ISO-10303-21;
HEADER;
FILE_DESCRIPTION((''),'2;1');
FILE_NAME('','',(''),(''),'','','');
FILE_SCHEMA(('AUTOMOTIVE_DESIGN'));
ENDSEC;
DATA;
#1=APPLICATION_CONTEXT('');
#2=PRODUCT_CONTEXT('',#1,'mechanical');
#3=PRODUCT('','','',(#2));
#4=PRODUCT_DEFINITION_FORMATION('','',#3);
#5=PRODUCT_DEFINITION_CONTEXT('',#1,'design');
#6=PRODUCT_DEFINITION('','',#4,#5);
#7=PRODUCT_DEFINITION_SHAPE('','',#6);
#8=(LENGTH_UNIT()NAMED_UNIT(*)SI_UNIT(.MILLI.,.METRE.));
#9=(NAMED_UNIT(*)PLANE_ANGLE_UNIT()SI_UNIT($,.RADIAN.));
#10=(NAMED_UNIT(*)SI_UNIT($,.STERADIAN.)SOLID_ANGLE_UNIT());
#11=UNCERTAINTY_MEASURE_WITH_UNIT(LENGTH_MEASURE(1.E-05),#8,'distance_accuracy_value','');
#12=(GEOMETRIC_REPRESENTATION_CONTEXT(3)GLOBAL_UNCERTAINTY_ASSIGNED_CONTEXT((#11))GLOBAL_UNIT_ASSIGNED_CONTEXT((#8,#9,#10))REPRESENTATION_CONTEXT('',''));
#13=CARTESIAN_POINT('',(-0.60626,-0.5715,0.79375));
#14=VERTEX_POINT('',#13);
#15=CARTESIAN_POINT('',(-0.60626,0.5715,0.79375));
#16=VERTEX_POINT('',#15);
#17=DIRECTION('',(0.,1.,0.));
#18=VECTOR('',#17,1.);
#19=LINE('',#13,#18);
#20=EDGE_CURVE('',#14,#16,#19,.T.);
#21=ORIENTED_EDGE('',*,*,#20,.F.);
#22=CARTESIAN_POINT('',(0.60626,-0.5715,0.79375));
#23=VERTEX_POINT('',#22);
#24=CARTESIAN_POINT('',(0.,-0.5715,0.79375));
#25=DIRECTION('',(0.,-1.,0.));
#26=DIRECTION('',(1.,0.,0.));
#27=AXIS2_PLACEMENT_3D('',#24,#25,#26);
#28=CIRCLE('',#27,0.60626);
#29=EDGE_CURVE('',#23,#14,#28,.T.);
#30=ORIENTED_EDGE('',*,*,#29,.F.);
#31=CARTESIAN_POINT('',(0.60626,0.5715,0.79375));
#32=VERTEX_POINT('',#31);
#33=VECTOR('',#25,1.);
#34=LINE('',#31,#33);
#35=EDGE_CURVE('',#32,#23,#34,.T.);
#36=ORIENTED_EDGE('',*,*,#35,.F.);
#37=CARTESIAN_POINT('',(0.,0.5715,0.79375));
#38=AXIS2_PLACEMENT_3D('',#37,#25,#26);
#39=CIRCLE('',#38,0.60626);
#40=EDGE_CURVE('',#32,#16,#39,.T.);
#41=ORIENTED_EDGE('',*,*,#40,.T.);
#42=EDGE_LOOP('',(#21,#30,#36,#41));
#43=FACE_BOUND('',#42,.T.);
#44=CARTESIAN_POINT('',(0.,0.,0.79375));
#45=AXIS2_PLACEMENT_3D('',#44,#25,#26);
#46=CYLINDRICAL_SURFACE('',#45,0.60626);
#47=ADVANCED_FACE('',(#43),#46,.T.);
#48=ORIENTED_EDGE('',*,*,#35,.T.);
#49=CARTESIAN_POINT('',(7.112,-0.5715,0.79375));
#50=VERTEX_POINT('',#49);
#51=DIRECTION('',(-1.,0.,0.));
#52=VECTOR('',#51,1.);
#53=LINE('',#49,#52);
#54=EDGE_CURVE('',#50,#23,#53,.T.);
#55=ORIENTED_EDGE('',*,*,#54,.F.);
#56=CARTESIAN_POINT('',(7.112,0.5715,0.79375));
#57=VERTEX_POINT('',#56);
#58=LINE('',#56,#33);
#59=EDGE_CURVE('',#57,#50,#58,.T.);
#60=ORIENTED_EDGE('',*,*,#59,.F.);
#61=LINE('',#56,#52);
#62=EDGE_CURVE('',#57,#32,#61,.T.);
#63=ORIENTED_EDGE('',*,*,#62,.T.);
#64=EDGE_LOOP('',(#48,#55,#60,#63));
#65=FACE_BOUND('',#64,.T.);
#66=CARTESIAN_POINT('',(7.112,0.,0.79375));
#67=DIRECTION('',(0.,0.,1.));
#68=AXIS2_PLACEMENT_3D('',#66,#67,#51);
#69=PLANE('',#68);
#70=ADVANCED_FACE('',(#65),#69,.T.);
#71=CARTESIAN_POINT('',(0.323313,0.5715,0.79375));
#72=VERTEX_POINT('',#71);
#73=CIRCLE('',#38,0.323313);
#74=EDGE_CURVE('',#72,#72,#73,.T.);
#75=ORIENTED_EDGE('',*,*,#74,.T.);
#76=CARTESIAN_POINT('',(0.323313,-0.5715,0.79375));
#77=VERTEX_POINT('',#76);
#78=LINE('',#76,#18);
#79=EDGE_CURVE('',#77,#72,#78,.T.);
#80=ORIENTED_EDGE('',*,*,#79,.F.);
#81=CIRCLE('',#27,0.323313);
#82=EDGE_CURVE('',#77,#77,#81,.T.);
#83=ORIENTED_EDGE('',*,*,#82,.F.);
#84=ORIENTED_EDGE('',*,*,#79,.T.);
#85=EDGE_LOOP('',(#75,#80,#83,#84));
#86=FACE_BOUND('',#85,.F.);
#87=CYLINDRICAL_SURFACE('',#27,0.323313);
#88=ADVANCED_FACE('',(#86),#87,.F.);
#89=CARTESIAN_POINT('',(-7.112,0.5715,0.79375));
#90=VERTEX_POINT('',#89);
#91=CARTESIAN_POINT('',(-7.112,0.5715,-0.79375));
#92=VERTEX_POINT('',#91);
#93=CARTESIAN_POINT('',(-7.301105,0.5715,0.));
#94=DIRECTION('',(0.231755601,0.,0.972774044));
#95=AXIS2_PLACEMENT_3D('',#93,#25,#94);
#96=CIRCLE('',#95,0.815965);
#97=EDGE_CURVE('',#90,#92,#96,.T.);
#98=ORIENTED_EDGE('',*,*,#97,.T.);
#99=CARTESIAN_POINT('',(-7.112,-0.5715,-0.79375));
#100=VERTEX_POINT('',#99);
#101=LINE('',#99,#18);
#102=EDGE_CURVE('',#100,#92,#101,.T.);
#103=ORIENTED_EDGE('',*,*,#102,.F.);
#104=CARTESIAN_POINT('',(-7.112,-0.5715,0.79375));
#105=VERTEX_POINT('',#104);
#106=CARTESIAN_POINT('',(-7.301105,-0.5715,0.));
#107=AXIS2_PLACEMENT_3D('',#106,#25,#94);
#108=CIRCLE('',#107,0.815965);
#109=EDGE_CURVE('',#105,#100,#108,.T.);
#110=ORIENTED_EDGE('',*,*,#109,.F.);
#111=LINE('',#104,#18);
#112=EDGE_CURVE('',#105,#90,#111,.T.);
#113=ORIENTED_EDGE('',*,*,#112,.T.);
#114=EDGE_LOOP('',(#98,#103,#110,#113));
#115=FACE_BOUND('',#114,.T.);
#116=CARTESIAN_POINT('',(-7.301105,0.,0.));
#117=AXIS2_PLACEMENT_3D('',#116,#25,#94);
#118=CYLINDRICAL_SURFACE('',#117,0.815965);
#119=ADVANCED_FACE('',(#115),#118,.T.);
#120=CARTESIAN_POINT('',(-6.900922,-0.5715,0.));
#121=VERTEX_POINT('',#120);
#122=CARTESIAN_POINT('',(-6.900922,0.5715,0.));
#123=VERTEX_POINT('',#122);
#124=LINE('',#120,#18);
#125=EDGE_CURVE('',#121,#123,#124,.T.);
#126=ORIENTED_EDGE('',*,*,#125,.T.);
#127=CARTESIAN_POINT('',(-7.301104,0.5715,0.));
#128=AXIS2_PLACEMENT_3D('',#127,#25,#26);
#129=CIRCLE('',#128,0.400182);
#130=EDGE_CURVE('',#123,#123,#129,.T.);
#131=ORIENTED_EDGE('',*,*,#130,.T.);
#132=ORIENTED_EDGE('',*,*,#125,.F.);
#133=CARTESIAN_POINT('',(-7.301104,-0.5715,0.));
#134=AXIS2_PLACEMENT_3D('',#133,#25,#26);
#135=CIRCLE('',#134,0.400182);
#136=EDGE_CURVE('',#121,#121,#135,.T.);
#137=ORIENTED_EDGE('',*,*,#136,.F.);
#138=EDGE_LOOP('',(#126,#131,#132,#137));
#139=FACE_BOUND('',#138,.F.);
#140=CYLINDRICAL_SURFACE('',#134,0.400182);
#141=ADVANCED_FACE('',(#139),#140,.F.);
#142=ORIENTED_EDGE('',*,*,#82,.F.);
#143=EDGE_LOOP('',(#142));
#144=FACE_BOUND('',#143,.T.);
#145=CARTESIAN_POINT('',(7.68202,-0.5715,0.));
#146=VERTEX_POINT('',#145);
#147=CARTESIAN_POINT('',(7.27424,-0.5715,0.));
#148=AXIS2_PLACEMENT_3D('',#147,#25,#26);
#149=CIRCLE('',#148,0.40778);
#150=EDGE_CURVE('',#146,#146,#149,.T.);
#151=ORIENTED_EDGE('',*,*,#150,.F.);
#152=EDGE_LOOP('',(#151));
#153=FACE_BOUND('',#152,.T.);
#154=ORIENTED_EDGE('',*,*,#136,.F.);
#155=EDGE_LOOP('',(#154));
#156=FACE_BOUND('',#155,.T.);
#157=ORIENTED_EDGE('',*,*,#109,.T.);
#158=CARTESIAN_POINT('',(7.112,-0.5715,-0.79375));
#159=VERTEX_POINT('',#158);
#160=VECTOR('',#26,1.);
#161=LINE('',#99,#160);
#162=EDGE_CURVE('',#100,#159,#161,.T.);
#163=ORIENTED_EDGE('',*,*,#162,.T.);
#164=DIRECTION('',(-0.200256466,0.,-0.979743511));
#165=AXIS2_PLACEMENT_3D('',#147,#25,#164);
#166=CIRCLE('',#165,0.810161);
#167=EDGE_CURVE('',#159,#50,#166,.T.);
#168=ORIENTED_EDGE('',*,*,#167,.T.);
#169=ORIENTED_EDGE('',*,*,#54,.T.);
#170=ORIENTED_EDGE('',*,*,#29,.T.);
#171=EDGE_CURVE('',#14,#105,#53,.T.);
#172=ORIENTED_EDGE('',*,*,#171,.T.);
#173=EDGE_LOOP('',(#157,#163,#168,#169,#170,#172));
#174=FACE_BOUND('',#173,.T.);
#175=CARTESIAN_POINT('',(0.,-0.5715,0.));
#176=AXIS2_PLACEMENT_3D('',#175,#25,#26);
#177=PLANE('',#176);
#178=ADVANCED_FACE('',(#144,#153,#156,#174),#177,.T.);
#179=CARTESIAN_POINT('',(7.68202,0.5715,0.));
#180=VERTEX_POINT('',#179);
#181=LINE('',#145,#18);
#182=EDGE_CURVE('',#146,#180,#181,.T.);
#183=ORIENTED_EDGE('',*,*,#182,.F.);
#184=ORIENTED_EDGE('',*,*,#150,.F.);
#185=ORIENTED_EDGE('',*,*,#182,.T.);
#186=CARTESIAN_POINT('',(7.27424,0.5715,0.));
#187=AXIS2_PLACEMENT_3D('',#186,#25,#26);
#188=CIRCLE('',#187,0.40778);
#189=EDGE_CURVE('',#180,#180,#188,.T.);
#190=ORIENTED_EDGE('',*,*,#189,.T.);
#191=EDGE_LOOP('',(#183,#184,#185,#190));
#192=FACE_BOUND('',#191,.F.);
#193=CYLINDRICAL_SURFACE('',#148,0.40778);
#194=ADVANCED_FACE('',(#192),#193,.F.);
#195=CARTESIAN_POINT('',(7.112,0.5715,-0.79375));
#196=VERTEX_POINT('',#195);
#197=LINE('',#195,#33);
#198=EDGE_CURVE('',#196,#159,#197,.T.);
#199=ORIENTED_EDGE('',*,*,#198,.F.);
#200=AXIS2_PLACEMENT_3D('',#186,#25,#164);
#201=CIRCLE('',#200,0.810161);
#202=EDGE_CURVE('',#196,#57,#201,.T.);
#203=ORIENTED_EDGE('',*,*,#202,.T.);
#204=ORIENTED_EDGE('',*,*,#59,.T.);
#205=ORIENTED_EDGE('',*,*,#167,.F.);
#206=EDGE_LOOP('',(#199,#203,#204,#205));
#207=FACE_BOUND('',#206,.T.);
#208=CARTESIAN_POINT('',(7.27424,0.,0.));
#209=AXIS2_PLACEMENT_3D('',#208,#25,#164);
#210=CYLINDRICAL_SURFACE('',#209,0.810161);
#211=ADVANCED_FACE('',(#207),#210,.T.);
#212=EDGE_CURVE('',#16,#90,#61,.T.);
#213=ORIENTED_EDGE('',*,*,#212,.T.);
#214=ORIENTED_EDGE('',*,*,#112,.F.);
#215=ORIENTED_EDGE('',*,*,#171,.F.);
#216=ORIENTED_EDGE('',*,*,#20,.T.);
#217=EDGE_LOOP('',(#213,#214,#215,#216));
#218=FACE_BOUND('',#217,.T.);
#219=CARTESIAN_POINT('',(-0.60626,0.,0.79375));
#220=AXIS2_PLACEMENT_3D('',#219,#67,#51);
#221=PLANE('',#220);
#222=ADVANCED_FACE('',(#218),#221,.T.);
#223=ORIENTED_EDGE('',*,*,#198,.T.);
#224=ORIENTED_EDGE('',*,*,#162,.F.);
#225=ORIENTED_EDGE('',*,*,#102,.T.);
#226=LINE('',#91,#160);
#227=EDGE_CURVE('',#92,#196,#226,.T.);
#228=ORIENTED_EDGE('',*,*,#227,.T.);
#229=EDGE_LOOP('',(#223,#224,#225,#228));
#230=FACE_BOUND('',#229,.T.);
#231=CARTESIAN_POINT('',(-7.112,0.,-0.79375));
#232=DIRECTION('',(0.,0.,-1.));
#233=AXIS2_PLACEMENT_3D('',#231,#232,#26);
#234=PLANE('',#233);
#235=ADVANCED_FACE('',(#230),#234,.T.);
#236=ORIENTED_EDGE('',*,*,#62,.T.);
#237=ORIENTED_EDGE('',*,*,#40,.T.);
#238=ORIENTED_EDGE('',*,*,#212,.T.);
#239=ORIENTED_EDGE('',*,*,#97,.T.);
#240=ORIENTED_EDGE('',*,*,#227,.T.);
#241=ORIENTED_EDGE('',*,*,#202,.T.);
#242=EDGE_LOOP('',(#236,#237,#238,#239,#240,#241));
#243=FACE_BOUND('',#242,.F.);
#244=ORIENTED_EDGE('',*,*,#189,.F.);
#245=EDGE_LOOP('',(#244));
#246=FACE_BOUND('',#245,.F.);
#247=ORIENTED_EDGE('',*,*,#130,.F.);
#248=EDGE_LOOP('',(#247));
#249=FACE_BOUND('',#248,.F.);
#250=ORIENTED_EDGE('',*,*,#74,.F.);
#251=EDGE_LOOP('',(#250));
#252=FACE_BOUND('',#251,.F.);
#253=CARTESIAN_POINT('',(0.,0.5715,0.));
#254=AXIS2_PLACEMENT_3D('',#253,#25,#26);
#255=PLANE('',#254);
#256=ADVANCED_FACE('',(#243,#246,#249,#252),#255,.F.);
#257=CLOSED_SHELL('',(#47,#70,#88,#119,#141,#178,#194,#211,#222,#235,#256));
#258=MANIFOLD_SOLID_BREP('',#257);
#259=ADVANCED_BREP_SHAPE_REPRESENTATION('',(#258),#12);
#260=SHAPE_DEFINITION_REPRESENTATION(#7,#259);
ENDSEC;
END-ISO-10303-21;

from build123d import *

# Parameters (mm, degrees)
F1_DEPTH = 0.5715
F2_R     = 0.400182
F2_R_2   = 0.323313
F2_R_3   = 0.40778
F3_DEPTH = 25.4


with BuildPart() as f1:
    # F0 (on Front) → F1 (new body, symmetric)
    with BuildSketch(Plane.XZ):
        Polygon((-7.112, 0.79375), (-7.112, -0.79375), (7.112, -0.79375), (7.112, 0.79375), (0.60626, 0.79375), (-0.60626, 0.79375), align=None)
        with BuildLine():
            ThreePointArc((-7.112, 0.79375), (-8.11707, 0), (-7.112, -0.79375))
            Line((-7.112, -0.79375), (-7.112, 0.79375))
        make_face()
        with BuildLine():
            Line((7.112, 0.79375), (7.112, -0.79375))
            ThreePointArc((7.112, -0.79375), (8.084401, 0), (7.112, 0.79375))
        make_face()
        with BuildLine():
            ThreePointArc((0.60626, 0.79375), (0, 1.40001), (-0.60626, 0.79375))
            Line((-0.60626, 0.79375), (0.60626, 0.79375))
        make_face()
    extrude(amount=F1_DEPTH, both=True)

    # F2 (on face) → F3 (cut)
    with BuildSketch(Plane.XZ.offset(0.5715)):
        with Locations((-7.301104, 0)):
            Circle(F2_R)
        with Locations((0, 0.79375)):
            Circle(F2_R_2)
        with Locations((7.27424, 0)):
            Circle(F2_R_3)
    extrude(amount=-F3_DEPTH, mode=Mode.SUBTRACT)


solid = f1.part
